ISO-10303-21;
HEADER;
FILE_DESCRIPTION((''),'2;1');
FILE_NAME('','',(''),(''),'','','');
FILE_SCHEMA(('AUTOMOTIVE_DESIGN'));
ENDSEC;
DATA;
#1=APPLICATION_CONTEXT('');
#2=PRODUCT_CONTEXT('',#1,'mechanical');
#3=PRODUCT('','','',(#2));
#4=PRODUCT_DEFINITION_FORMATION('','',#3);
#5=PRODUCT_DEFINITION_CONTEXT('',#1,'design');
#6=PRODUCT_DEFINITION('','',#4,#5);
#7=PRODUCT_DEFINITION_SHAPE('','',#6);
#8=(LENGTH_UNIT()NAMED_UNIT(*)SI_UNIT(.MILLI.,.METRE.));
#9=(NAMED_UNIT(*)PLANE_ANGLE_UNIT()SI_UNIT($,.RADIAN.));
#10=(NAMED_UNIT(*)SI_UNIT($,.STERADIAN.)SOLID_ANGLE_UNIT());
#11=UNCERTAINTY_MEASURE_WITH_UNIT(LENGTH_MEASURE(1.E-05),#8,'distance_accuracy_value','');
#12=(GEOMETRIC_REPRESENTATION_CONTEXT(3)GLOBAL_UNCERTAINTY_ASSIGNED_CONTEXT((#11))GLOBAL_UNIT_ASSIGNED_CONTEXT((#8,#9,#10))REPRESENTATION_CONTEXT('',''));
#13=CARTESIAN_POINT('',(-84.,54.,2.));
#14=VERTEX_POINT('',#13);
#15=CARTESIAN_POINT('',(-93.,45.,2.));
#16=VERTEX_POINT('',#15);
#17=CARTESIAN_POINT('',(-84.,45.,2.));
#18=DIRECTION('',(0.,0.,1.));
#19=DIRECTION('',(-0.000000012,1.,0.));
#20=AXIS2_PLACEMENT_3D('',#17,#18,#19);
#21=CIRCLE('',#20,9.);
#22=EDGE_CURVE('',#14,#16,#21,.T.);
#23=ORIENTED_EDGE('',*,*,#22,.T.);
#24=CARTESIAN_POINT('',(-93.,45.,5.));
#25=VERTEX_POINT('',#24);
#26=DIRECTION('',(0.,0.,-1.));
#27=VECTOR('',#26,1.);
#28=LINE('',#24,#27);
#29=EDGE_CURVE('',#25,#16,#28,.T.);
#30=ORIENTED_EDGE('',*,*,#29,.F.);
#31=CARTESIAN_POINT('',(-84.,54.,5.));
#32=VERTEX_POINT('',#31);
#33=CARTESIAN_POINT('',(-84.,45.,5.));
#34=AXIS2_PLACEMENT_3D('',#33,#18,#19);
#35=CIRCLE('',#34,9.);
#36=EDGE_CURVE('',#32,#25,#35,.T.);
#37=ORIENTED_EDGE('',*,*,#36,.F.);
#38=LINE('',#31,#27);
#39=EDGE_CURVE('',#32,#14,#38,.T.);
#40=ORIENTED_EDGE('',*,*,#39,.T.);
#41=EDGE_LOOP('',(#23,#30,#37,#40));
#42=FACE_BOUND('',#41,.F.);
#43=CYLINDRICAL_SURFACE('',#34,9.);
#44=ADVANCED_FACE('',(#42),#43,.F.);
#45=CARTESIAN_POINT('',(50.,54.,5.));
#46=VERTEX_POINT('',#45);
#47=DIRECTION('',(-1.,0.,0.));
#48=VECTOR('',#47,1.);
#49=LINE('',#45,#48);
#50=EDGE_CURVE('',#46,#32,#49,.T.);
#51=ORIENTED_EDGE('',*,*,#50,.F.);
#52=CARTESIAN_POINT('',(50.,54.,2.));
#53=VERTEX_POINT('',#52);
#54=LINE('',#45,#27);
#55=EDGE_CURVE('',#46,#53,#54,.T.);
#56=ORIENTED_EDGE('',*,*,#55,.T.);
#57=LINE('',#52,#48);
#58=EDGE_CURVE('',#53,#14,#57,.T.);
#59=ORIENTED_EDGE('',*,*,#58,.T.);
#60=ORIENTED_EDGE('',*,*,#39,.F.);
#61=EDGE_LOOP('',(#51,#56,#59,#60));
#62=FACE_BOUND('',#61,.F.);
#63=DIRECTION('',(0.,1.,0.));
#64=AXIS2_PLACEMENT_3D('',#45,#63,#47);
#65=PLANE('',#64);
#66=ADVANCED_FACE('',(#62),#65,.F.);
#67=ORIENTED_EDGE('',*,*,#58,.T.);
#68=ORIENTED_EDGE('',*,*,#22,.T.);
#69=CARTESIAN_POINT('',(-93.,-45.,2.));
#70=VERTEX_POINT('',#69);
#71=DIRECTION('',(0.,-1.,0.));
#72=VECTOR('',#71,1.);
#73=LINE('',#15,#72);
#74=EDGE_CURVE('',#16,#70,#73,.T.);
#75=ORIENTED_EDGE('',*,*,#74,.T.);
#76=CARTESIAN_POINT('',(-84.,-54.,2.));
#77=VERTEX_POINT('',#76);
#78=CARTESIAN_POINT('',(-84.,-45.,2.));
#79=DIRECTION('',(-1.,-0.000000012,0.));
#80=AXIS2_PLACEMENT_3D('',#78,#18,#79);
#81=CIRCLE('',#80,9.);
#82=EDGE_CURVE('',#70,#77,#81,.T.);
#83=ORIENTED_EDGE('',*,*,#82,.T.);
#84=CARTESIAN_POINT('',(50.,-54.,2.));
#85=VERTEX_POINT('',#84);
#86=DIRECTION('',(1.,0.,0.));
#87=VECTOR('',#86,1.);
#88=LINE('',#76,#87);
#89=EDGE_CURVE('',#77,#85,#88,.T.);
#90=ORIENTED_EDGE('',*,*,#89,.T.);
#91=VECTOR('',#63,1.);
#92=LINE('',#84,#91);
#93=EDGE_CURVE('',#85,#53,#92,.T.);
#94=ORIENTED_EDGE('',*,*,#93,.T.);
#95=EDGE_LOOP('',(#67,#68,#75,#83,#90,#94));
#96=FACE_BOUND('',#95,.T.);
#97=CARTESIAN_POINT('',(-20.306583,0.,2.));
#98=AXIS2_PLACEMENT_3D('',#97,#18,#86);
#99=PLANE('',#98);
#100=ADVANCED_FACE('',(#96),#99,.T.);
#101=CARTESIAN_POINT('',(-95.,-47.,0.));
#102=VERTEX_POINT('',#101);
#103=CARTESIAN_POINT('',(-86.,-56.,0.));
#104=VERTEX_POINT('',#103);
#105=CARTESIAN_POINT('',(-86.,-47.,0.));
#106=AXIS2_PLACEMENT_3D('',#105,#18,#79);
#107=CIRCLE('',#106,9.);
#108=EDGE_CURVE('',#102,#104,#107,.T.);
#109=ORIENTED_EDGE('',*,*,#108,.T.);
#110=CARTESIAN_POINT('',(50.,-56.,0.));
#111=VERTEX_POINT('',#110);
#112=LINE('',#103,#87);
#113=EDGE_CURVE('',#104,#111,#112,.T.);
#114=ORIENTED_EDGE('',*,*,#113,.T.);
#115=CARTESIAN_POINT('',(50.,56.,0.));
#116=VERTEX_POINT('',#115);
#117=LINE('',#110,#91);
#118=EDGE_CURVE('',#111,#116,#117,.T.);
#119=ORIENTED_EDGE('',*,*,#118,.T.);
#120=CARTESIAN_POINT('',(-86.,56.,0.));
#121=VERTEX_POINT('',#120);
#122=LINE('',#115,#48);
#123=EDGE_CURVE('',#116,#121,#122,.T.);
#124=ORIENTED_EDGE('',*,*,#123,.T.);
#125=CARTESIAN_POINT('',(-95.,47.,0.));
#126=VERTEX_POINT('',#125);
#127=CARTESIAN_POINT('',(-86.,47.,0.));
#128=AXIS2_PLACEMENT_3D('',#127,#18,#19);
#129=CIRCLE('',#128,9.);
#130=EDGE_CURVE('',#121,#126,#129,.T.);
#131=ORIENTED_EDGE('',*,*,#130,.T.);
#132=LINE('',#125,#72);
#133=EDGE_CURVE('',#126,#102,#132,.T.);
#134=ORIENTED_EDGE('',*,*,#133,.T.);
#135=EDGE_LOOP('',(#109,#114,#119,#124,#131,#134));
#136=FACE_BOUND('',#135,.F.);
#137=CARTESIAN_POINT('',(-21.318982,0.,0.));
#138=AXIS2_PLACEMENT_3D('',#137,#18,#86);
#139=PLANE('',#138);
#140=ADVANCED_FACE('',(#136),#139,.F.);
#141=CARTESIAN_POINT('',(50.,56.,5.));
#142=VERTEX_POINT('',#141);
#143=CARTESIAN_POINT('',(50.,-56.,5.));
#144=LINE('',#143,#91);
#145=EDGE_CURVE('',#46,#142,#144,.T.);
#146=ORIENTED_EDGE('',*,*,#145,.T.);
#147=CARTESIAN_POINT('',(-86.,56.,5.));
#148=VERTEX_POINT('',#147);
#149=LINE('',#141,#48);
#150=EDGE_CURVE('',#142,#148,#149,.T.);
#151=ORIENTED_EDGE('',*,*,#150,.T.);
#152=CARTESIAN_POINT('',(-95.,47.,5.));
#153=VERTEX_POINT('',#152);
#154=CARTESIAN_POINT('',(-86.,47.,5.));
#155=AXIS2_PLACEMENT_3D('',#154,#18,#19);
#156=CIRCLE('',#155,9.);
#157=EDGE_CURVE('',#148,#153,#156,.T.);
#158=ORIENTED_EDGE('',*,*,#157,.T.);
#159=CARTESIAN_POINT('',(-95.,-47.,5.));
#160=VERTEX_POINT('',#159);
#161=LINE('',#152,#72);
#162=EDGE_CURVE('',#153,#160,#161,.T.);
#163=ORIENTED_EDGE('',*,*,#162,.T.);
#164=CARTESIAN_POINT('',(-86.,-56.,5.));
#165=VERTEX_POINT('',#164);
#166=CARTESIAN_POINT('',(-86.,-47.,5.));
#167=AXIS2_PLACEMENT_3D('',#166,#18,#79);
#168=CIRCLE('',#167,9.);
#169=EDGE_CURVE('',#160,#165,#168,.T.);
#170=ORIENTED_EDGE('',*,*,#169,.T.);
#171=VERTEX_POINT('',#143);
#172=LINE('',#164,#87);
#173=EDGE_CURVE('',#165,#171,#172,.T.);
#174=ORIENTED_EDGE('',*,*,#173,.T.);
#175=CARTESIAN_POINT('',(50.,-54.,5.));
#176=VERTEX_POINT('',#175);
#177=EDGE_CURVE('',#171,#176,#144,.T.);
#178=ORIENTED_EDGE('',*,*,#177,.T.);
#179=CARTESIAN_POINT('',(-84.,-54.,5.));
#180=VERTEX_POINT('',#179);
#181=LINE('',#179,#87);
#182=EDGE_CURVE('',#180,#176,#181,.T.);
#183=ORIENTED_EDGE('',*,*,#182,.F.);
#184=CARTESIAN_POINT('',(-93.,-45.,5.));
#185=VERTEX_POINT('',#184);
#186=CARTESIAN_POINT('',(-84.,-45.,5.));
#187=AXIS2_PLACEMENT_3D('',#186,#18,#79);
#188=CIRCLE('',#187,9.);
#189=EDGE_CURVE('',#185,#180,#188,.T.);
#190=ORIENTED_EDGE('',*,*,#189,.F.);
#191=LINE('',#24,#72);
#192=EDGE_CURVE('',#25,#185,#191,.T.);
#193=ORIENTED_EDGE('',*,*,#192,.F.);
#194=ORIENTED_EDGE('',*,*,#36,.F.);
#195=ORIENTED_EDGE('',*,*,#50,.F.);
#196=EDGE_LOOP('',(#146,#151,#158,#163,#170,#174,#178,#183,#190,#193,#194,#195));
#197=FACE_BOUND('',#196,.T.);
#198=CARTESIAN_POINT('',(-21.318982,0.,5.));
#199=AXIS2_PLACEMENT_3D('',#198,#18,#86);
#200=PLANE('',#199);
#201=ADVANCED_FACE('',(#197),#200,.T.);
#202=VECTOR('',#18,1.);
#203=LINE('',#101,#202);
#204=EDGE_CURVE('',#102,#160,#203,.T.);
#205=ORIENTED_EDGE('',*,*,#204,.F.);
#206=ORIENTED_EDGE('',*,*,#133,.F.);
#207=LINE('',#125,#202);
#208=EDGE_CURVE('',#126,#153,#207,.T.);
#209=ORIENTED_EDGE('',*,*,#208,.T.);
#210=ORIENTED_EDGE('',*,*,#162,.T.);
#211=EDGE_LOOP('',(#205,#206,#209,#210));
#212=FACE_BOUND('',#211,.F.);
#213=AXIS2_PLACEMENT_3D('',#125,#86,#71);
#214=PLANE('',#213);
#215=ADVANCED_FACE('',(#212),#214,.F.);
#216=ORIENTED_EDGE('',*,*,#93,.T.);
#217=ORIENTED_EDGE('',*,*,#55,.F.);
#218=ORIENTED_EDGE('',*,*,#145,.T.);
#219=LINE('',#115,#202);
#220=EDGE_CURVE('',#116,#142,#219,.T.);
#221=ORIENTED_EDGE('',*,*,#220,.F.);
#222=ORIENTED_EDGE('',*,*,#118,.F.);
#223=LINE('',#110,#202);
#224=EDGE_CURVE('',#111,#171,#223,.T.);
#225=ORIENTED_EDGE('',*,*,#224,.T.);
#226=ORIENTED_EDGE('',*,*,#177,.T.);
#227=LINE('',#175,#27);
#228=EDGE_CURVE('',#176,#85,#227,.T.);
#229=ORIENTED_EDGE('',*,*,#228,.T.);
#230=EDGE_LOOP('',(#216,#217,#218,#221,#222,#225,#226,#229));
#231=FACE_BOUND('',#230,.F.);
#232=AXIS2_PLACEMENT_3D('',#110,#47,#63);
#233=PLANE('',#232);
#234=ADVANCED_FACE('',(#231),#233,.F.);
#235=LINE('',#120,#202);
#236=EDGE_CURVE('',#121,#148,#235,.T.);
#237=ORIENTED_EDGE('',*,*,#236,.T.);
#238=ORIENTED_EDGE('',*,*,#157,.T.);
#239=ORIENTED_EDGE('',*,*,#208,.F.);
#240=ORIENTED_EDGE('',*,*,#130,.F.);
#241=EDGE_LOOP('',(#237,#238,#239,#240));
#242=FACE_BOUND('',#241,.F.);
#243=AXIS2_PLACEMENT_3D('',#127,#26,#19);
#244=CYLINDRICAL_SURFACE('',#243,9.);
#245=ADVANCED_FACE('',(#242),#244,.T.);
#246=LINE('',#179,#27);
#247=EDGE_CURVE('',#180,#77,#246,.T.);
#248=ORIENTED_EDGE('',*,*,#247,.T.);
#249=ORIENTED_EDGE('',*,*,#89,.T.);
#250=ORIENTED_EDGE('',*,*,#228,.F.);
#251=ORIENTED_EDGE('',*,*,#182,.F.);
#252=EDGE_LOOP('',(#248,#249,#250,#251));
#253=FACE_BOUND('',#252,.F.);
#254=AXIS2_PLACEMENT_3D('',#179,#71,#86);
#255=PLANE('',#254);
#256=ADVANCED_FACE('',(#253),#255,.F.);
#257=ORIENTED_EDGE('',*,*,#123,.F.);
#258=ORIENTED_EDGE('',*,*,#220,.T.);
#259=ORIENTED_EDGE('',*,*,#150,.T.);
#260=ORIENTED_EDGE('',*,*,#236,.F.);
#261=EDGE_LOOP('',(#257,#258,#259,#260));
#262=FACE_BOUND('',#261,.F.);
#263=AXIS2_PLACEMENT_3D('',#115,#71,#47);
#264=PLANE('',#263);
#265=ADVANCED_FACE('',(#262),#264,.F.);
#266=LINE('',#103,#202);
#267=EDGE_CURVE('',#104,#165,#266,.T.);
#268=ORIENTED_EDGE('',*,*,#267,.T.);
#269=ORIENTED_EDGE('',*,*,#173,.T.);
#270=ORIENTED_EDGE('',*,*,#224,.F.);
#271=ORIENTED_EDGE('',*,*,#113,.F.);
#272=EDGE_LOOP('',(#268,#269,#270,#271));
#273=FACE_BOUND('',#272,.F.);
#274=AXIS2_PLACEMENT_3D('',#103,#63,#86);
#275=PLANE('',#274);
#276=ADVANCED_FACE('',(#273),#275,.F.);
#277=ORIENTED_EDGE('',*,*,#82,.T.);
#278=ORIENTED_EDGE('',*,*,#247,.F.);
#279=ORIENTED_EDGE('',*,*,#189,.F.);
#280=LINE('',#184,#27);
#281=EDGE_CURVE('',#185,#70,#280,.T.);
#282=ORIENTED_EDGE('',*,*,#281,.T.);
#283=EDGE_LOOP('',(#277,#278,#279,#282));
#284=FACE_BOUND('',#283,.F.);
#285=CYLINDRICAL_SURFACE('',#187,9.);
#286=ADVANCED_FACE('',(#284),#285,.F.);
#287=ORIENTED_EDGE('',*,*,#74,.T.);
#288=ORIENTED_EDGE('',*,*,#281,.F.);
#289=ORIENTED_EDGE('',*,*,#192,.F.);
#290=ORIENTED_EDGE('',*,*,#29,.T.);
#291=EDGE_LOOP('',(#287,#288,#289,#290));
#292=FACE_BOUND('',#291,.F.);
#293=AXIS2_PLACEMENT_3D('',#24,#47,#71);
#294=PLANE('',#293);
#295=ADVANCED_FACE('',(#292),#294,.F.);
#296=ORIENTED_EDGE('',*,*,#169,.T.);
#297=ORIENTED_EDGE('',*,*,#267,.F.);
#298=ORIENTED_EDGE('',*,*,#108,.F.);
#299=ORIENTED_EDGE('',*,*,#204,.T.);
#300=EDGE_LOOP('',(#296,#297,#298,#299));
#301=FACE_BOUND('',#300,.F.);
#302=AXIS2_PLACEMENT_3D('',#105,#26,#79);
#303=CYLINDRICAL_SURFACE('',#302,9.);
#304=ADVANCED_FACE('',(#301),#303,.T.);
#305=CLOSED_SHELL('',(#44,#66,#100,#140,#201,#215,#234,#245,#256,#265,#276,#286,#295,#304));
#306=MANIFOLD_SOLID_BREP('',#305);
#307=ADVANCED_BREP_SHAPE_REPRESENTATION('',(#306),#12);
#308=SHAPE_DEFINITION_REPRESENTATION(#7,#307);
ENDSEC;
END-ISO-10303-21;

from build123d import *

# Parameters (mm, degrees)
F1_DEPTH = 5
F3_DEPTH = 3


with BuildPart() as f1:
    # F0 (on Top) → F1 (new body)
    with BuildSketch(Plane.XY):
        with BuildLine():
            ThreePointArc((-95, -47), (-92.363961, -53.363961), (-86, -56))
            Line((-86, -56), (50, -56))
            Line((50, -56), (50, 56))
            Line((50, 56), (-86, 56))
            ThreePointArc((-86, 56), (-92.363961, 53.363961), (-95, 47))
            Line((-95, 47), (-95, -47))
        make_face()
    extrude(amount=F1_DEPTH)

    # F2 (on face) → F3 (cut)
    with BuildSketch(Plane.XY.offset(5)):
        with BuildLine():
            Line((50, -54), (50, 54))
            Line((50, 54), (-84, 54))
            ThreePointArc((-84, 54), (-90.363961, 51.363961), (-93, 45))
            Line((-93, 45), (-93, -45))
            ThreePointArc((-93, -45), (-90.363961, -51.363961), (-84, -54))
            Line((-84, -54), (50, -54))
        make_face()
    extrude(amount=-F3_DEPTH, mode=Mode.SUBTRACT)


solid = f1.part
